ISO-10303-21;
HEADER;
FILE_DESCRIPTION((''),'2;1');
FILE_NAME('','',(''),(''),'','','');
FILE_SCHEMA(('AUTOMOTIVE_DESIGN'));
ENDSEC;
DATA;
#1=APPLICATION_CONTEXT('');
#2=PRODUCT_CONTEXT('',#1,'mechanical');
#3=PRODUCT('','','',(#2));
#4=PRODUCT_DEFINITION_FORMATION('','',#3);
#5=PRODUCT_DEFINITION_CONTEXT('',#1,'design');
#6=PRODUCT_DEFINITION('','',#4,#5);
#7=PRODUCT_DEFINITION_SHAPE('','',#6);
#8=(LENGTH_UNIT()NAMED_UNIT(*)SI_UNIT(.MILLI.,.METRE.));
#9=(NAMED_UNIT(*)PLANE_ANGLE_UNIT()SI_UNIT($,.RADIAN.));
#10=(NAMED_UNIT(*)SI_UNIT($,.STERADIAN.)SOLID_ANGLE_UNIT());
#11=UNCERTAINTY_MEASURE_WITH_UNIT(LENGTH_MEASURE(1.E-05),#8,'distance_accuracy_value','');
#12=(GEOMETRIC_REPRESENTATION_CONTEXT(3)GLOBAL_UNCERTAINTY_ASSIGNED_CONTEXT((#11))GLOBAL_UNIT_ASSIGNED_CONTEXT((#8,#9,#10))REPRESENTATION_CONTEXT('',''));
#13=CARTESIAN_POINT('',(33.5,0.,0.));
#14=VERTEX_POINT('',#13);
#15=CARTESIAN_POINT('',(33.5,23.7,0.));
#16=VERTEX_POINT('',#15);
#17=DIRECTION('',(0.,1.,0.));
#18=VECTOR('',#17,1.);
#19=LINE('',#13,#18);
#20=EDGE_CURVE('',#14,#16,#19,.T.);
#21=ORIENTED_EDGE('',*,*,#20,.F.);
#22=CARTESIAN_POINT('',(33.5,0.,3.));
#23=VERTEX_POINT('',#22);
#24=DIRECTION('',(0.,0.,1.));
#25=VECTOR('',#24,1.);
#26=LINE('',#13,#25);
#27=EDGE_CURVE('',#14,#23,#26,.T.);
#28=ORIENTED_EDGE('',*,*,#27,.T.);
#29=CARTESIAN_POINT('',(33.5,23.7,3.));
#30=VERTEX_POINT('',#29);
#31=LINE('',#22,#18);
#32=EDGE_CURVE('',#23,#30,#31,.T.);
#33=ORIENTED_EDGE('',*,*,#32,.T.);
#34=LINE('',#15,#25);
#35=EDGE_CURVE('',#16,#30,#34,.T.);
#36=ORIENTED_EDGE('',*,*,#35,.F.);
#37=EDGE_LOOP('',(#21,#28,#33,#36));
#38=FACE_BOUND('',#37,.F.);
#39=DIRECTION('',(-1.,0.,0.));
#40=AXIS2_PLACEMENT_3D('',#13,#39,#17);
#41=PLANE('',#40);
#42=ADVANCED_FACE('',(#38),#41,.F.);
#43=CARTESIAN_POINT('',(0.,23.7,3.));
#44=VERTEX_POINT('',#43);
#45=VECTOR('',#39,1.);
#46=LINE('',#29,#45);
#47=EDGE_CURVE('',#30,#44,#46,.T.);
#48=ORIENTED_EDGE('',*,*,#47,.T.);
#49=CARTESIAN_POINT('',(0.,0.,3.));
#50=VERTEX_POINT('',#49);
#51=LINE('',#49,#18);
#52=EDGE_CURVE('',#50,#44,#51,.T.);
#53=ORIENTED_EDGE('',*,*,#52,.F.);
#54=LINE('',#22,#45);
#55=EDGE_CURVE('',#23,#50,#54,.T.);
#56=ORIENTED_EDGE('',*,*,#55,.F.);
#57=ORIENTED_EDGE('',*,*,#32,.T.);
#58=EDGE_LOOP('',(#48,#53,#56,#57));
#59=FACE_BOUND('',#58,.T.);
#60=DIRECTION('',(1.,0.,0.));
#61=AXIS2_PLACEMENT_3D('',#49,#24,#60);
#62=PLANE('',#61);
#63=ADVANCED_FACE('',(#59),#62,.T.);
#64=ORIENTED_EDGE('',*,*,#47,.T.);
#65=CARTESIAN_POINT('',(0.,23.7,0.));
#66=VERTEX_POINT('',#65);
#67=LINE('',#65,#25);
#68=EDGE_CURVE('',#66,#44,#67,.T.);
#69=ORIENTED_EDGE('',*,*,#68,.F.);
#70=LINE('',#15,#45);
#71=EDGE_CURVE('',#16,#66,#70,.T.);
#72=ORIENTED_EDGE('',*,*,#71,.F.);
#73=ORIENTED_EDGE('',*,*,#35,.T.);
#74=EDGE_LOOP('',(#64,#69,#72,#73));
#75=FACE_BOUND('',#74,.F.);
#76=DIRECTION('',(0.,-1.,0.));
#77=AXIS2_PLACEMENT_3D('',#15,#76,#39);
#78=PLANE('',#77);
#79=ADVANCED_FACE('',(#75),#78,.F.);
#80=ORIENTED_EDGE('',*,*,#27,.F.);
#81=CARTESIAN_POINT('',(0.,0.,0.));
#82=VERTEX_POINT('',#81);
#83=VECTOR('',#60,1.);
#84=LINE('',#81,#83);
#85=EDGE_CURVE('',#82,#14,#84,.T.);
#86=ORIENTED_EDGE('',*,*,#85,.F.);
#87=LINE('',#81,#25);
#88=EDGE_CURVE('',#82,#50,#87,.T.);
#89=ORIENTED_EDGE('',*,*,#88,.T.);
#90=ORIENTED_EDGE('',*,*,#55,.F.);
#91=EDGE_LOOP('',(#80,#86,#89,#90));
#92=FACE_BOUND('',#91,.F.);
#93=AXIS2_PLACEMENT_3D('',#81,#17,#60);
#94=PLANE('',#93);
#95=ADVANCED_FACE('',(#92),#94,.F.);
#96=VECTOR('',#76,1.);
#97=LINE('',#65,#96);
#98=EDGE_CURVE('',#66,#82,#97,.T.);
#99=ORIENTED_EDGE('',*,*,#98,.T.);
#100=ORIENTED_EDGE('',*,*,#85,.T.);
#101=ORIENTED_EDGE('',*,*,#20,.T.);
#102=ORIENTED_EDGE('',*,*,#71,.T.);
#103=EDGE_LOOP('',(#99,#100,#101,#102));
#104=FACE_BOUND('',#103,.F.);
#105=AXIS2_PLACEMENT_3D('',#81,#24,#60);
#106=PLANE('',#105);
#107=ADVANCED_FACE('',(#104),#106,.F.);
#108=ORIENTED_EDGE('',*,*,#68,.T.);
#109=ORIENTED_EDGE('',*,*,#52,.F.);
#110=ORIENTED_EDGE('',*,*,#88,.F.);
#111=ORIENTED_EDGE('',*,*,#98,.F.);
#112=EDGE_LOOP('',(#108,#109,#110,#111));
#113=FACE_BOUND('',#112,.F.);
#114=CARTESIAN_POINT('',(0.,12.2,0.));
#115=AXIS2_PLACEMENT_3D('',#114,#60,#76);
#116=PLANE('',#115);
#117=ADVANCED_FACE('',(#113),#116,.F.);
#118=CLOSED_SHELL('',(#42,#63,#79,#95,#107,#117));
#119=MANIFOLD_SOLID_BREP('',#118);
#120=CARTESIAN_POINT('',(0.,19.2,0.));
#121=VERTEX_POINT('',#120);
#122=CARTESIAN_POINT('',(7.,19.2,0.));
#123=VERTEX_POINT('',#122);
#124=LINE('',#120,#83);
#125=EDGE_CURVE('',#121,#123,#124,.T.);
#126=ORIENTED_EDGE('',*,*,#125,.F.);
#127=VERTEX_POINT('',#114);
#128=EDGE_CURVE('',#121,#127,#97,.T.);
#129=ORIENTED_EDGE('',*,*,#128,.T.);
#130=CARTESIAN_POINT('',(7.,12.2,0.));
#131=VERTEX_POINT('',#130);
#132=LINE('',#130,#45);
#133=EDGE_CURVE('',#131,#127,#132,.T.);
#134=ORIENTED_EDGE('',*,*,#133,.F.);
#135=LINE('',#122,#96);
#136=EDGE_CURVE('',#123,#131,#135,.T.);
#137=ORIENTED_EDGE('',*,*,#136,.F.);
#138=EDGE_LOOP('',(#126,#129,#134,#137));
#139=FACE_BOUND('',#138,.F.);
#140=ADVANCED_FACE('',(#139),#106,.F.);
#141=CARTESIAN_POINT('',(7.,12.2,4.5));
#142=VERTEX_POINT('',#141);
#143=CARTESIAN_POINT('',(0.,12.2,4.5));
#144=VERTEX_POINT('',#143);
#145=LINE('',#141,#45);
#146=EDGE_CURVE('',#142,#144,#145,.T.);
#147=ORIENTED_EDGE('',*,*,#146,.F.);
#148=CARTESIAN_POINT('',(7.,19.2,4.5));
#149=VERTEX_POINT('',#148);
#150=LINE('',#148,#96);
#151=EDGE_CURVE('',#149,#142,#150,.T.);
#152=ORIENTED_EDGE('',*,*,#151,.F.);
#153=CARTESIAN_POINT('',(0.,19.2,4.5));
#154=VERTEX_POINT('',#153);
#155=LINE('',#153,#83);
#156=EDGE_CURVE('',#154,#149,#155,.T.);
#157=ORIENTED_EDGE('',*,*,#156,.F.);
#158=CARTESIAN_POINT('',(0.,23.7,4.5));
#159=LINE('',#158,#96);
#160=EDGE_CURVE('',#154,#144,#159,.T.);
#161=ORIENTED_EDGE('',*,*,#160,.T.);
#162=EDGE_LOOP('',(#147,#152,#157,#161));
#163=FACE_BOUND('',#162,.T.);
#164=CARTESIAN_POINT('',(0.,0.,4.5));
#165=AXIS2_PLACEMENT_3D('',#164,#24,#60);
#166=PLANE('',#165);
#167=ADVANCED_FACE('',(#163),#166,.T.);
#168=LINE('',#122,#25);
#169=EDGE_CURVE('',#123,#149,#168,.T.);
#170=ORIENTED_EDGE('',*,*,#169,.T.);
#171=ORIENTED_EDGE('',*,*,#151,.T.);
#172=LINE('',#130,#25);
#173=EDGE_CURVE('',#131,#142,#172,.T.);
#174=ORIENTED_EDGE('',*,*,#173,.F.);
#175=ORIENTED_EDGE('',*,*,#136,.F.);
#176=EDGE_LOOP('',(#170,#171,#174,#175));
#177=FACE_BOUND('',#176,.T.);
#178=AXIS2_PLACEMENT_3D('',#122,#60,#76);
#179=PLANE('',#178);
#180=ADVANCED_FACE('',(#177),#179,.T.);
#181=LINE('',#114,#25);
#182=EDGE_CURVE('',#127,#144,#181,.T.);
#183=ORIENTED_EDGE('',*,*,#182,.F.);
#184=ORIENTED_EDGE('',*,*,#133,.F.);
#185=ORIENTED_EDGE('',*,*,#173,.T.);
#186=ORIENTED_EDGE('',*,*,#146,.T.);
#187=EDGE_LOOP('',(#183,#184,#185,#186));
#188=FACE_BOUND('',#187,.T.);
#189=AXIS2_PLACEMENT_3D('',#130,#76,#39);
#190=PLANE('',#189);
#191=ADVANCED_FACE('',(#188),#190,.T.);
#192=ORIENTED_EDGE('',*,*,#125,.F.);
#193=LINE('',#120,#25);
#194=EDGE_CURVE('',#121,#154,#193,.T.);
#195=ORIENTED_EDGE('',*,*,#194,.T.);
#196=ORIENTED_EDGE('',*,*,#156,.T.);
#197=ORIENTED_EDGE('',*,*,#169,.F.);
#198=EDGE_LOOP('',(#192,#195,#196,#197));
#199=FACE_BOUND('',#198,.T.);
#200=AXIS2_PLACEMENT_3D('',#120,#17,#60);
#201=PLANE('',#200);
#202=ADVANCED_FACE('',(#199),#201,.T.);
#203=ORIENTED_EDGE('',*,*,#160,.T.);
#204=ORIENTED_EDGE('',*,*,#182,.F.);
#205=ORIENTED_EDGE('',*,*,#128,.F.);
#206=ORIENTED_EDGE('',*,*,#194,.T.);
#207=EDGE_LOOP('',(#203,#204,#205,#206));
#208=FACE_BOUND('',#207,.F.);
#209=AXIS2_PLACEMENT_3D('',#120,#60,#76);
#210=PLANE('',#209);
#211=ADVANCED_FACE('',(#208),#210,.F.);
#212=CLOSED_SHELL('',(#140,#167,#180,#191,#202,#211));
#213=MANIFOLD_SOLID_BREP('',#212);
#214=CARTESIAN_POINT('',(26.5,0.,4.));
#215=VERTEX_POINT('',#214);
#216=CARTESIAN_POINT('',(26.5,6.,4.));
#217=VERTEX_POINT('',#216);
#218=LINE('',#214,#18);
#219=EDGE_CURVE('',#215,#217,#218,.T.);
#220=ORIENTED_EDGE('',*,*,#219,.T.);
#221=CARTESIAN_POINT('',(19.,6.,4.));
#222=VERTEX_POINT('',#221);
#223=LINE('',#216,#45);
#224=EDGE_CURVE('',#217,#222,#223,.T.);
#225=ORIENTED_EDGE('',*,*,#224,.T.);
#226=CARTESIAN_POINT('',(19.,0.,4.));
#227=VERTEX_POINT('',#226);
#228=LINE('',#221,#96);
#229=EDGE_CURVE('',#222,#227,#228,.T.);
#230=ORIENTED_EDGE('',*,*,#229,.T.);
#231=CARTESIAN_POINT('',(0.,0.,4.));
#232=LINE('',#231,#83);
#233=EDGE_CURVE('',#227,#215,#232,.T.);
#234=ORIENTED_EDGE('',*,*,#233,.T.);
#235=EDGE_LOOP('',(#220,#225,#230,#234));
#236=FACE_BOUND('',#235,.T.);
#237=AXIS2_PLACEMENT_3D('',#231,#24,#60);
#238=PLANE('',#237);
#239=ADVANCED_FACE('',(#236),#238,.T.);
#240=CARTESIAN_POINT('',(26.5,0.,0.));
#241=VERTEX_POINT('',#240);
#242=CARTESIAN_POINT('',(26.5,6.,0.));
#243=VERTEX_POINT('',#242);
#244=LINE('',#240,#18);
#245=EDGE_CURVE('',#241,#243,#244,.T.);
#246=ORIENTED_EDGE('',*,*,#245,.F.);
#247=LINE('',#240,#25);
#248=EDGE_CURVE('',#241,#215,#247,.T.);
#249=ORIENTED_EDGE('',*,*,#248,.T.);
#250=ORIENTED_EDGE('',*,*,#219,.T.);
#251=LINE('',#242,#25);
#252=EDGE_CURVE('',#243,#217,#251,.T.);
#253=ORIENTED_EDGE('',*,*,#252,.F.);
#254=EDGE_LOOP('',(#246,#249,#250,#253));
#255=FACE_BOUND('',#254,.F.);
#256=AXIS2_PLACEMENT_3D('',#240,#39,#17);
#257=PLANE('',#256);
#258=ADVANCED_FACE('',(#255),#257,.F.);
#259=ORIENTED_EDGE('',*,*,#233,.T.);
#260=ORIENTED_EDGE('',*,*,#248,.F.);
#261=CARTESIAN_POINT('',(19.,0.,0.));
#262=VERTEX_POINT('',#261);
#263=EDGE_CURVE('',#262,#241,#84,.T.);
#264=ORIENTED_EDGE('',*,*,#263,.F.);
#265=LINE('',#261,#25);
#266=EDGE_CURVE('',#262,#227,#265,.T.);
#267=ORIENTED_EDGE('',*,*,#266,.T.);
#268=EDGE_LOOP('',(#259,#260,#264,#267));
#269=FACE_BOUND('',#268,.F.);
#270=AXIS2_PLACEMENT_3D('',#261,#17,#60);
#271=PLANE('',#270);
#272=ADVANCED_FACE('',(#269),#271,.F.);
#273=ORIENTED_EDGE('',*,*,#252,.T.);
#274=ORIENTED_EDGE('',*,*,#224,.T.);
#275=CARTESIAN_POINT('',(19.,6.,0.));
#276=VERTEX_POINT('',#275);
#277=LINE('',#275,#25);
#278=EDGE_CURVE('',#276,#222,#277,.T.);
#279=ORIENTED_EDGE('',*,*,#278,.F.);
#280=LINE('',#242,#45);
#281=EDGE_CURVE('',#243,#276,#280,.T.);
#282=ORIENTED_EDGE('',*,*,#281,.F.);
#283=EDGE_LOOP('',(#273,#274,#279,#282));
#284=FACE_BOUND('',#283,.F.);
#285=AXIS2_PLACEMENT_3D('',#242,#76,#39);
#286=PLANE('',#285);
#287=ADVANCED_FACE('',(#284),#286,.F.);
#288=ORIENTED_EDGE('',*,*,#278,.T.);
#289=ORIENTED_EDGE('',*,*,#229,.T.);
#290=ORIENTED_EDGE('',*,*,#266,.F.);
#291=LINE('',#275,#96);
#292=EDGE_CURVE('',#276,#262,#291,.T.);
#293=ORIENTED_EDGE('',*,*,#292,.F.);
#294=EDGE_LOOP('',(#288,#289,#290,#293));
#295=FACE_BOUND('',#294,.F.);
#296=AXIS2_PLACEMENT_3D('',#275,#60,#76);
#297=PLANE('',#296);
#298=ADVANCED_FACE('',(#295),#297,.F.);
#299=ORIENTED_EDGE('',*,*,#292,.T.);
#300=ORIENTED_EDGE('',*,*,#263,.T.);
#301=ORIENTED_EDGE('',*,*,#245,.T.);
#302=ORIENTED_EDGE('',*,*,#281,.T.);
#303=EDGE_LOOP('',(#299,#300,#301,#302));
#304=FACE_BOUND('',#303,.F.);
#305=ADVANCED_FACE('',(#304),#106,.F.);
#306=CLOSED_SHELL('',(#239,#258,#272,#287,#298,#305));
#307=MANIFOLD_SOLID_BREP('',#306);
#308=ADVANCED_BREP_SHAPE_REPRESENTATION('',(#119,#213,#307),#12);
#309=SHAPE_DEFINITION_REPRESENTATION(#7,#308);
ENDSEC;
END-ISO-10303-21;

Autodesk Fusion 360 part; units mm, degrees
sketch "Sketch1" plane through (0, 0, 0) normal (0, 0, 1) x (1, 0, 0)
  line L0 (0, 0) -> (33.5, 0)
  line L1 (33.5, 0) -> (33.5, 23.7)
  line L2 (33.5, 23.7) -> (0, 23.7)
  line L3 (0, 23.7) -> (0, 0)
  line L4 (0, 19.2) -> (7, 19.2)
  line L5 (7, 19.2) -> (7, 12.2)
  line L6 (7, 12.2) -> (0, 12.2)
  line L7 (0, 12.2) -> (0, 19.2)
  line L8 (19, 0) -> (26.5, 0)
  line L9 (26.5, 0) -> (26.5, 6)
  line L10 (26.5, 6) -> (19, 6)
  line L11 (19, 6) -> (19, 0)
  dimension "d1" = 33.5
  dimension "d2" = 23.7
  dimension "d5" = 7
  dimension "d6" = 7
  dimension "d7" = 4.5
  dimension "d8" = 7.5
  dimension "d9" = 6
  dimension "d10" = 7
extrude "Extrude1" add sketch "Sketch1" along normal blind 3 makes body 1
extrude "Extrude2" add sketch "Sketch1" along normal blind 4.5 separate body contours L3 L4 L5 L6 L7 makes body 2
extrude "Extrude3" add sketch "Sketch1" along normal blind 4 separate body contours L0 L8 L9 L10 L11 makes body 3
